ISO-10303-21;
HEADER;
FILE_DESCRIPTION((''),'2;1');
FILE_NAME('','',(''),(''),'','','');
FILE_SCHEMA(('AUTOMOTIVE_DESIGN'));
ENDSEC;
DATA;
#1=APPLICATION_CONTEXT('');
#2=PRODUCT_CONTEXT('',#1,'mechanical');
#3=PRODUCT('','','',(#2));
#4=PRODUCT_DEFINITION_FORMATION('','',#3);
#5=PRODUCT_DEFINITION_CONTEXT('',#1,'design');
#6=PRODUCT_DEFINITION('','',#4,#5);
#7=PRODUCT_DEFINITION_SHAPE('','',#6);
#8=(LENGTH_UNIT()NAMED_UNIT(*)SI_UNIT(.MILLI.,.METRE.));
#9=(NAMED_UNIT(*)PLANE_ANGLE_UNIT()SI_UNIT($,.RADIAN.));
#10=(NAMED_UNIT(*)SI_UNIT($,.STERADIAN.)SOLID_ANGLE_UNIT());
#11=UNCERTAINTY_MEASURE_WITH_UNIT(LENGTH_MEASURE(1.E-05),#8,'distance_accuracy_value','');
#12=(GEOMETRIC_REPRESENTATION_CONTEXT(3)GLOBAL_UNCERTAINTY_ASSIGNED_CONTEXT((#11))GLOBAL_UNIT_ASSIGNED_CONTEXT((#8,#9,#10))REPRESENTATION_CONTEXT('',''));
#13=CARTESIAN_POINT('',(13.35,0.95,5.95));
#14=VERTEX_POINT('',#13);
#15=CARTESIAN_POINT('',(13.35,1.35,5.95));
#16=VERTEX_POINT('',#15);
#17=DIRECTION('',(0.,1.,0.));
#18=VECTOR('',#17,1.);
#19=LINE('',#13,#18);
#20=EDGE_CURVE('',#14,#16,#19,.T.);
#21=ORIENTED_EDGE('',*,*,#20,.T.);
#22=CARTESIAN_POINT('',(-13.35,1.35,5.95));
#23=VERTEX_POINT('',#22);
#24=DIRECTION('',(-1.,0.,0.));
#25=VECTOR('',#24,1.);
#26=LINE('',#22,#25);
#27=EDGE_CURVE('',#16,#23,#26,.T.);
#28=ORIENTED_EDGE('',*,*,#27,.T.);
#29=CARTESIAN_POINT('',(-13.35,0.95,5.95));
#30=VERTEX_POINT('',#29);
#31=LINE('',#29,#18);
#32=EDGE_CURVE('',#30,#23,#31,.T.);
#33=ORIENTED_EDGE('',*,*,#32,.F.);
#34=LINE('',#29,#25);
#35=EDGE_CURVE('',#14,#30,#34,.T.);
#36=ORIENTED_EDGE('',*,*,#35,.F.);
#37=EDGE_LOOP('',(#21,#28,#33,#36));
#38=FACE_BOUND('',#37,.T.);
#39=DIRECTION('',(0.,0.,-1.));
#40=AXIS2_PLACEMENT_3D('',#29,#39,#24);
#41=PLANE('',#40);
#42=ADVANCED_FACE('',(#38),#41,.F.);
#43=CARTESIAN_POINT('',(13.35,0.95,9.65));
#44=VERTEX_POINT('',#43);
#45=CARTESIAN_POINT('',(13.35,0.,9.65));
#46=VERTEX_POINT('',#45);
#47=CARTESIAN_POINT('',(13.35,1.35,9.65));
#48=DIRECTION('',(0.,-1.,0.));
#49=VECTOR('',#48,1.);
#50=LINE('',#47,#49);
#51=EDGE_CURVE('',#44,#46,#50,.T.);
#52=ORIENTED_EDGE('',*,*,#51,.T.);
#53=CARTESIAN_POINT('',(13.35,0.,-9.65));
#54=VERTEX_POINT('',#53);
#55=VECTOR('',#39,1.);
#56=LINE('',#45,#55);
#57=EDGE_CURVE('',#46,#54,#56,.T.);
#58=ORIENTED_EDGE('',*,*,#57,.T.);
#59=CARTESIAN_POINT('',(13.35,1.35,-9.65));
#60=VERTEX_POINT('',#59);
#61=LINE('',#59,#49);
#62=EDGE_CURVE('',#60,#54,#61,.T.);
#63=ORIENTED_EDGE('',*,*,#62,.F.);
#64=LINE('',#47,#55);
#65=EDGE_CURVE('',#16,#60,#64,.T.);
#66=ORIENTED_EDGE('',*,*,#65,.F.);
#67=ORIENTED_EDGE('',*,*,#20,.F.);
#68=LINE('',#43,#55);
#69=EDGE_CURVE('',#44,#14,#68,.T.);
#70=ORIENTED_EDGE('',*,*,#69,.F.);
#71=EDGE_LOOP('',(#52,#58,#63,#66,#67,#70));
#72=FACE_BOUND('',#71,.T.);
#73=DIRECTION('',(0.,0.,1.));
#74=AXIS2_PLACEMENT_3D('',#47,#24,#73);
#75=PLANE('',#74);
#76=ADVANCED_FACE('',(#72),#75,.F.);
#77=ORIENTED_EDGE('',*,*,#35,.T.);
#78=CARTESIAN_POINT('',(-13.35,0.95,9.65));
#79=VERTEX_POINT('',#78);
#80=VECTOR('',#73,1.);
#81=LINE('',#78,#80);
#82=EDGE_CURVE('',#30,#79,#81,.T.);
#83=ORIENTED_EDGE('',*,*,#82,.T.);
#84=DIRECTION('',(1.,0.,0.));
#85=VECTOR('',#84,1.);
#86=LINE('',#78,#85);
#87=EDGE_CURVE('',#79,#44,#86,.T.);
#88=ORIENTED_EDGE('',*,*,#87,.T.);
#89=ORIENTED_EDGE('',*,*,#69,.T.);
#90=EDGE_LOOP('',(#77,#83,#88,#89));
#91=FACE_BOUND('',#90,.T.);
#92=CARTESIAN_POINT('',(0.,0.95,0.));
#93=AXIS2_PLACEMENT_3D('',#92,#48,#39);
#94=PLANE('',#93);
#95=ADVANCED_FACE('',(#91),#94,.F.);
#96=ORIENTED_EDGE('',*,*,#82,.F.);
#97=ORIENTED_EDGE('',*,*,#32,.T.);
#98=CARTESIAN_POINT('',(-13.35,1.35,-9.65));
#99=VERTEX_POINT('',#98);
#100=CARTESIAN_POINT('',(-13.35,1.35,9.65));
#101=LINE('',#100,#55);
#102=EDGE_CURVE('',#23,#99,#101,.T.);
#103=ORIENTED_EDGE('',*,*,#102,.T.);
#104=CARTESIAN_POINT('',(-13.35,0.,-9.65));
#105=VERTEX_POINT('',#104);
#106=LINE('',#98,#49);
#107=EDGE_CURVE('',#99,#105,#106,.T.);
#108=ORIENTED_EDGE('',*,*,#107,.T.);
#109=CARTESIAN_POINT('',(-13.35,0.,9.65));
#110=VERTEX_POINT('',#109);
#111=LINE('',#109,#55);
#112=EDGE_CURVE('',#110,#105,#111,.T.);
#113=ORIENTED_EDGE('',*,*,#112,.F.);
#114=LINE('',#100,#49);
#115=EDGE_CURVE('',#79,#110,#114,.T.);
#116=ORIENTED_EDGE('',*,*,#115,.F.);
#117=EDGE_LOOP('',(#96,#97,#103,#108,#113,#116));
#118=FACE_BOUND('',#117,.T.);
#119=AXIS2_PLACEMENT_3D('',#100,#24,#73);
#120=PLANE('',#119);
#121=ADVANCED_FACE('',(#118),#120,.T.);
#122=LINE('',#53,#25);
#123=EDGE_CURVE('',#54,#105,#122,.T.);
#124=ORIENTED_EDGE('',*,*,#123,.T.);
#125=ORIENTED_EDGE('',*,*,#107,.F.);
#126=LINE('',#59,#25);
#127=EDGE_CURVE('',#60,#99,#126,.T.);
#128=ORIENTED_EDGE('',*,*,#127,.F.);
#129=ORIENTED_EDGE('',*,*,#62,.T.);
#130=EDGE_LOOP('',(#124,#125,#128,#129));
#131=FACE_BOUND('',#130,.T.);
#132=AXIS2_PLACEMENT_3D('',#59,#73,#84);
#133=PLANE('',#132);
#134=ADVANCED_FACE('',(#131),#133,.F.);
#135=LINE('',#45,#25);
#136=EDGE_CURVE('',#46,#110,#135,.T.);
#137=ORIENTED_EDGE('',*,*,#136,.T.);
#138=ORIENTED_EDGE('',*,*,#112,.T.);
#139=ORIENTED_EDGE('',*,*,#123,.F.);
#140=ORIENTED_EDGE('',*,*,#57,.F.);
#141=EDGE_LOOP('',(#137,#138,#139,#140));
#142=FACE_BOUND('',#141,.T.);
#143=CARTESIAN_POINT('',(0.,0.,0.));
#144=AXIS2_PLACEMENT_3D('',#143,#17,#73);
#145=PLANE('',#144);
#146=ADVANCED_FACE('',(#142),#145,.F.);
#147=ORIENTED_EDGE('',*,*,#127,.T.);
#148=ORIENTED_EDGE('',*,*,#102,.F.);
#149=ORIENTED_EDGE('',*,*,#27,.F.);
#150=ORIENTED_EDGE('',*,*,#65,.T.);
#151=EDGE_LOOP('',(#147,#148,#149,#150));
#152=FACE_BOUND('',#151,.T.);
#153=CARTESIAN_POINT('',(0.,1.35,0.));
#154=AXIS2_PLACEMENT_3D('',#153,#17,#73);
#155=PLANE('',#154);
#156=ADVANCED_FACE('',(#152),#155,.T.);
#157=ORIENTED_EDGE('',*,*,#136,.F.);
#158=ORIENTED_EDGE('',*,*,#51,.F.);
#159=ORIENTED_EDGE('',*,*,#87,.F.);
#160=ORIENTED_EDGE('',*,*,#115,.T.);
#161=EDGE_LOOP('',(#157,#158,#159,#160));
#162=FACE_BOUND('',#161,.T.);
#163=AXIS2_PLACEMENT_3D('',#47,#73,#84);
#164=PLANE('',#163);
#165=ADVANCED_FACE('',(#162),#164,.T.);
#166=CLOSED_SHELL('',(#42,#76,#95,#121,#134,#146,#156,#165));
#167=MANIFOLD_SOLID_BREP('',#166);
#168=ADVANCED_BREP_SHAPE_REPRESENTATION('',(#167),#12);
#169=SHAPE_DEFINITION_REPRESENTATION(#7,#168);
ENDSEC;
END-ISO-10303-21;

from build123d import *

# Parameters (mm, degrees)
SKETCH1_W           = 26.7
SKETCH1_H           = 19.3
BOSS_EXTRUDE1_DEPTH = 1.35
SKETCH2_W           = 26.7
SKETCH2_H           = 3.7
CUT_EXTRUDE1_DEPTH  = 0.4


with BuildPart() as part:
    # Sketch1 → Boss-Extrude1 (new body)
    with BuildSketch(Plane(origin=(0, 0, 0), x_dir=(1, 0, 0), z_dir=(0, 1, 0))):
        Rectangle(SKETCH1_W, SKETCH1_H)
    extrude(amount=BOSS_EXTRUDE1_DEPTH)

    # Sketch2 → Cut-Extrude1 (cut)
    with BuildSketch(Plane(origin=(0, 1.35, 0), x_dir=(1, 0, 0), z_dir=(0, 1, 0))):
        with Locations((0, -7.8)):
            Rectangle(SKETCH2_W, SKETCH2_H)
    extrude(amount=-CUT_EXTRUDE1_DEPTH, mode=Mode.SUBTRACT)


solid = part.part
